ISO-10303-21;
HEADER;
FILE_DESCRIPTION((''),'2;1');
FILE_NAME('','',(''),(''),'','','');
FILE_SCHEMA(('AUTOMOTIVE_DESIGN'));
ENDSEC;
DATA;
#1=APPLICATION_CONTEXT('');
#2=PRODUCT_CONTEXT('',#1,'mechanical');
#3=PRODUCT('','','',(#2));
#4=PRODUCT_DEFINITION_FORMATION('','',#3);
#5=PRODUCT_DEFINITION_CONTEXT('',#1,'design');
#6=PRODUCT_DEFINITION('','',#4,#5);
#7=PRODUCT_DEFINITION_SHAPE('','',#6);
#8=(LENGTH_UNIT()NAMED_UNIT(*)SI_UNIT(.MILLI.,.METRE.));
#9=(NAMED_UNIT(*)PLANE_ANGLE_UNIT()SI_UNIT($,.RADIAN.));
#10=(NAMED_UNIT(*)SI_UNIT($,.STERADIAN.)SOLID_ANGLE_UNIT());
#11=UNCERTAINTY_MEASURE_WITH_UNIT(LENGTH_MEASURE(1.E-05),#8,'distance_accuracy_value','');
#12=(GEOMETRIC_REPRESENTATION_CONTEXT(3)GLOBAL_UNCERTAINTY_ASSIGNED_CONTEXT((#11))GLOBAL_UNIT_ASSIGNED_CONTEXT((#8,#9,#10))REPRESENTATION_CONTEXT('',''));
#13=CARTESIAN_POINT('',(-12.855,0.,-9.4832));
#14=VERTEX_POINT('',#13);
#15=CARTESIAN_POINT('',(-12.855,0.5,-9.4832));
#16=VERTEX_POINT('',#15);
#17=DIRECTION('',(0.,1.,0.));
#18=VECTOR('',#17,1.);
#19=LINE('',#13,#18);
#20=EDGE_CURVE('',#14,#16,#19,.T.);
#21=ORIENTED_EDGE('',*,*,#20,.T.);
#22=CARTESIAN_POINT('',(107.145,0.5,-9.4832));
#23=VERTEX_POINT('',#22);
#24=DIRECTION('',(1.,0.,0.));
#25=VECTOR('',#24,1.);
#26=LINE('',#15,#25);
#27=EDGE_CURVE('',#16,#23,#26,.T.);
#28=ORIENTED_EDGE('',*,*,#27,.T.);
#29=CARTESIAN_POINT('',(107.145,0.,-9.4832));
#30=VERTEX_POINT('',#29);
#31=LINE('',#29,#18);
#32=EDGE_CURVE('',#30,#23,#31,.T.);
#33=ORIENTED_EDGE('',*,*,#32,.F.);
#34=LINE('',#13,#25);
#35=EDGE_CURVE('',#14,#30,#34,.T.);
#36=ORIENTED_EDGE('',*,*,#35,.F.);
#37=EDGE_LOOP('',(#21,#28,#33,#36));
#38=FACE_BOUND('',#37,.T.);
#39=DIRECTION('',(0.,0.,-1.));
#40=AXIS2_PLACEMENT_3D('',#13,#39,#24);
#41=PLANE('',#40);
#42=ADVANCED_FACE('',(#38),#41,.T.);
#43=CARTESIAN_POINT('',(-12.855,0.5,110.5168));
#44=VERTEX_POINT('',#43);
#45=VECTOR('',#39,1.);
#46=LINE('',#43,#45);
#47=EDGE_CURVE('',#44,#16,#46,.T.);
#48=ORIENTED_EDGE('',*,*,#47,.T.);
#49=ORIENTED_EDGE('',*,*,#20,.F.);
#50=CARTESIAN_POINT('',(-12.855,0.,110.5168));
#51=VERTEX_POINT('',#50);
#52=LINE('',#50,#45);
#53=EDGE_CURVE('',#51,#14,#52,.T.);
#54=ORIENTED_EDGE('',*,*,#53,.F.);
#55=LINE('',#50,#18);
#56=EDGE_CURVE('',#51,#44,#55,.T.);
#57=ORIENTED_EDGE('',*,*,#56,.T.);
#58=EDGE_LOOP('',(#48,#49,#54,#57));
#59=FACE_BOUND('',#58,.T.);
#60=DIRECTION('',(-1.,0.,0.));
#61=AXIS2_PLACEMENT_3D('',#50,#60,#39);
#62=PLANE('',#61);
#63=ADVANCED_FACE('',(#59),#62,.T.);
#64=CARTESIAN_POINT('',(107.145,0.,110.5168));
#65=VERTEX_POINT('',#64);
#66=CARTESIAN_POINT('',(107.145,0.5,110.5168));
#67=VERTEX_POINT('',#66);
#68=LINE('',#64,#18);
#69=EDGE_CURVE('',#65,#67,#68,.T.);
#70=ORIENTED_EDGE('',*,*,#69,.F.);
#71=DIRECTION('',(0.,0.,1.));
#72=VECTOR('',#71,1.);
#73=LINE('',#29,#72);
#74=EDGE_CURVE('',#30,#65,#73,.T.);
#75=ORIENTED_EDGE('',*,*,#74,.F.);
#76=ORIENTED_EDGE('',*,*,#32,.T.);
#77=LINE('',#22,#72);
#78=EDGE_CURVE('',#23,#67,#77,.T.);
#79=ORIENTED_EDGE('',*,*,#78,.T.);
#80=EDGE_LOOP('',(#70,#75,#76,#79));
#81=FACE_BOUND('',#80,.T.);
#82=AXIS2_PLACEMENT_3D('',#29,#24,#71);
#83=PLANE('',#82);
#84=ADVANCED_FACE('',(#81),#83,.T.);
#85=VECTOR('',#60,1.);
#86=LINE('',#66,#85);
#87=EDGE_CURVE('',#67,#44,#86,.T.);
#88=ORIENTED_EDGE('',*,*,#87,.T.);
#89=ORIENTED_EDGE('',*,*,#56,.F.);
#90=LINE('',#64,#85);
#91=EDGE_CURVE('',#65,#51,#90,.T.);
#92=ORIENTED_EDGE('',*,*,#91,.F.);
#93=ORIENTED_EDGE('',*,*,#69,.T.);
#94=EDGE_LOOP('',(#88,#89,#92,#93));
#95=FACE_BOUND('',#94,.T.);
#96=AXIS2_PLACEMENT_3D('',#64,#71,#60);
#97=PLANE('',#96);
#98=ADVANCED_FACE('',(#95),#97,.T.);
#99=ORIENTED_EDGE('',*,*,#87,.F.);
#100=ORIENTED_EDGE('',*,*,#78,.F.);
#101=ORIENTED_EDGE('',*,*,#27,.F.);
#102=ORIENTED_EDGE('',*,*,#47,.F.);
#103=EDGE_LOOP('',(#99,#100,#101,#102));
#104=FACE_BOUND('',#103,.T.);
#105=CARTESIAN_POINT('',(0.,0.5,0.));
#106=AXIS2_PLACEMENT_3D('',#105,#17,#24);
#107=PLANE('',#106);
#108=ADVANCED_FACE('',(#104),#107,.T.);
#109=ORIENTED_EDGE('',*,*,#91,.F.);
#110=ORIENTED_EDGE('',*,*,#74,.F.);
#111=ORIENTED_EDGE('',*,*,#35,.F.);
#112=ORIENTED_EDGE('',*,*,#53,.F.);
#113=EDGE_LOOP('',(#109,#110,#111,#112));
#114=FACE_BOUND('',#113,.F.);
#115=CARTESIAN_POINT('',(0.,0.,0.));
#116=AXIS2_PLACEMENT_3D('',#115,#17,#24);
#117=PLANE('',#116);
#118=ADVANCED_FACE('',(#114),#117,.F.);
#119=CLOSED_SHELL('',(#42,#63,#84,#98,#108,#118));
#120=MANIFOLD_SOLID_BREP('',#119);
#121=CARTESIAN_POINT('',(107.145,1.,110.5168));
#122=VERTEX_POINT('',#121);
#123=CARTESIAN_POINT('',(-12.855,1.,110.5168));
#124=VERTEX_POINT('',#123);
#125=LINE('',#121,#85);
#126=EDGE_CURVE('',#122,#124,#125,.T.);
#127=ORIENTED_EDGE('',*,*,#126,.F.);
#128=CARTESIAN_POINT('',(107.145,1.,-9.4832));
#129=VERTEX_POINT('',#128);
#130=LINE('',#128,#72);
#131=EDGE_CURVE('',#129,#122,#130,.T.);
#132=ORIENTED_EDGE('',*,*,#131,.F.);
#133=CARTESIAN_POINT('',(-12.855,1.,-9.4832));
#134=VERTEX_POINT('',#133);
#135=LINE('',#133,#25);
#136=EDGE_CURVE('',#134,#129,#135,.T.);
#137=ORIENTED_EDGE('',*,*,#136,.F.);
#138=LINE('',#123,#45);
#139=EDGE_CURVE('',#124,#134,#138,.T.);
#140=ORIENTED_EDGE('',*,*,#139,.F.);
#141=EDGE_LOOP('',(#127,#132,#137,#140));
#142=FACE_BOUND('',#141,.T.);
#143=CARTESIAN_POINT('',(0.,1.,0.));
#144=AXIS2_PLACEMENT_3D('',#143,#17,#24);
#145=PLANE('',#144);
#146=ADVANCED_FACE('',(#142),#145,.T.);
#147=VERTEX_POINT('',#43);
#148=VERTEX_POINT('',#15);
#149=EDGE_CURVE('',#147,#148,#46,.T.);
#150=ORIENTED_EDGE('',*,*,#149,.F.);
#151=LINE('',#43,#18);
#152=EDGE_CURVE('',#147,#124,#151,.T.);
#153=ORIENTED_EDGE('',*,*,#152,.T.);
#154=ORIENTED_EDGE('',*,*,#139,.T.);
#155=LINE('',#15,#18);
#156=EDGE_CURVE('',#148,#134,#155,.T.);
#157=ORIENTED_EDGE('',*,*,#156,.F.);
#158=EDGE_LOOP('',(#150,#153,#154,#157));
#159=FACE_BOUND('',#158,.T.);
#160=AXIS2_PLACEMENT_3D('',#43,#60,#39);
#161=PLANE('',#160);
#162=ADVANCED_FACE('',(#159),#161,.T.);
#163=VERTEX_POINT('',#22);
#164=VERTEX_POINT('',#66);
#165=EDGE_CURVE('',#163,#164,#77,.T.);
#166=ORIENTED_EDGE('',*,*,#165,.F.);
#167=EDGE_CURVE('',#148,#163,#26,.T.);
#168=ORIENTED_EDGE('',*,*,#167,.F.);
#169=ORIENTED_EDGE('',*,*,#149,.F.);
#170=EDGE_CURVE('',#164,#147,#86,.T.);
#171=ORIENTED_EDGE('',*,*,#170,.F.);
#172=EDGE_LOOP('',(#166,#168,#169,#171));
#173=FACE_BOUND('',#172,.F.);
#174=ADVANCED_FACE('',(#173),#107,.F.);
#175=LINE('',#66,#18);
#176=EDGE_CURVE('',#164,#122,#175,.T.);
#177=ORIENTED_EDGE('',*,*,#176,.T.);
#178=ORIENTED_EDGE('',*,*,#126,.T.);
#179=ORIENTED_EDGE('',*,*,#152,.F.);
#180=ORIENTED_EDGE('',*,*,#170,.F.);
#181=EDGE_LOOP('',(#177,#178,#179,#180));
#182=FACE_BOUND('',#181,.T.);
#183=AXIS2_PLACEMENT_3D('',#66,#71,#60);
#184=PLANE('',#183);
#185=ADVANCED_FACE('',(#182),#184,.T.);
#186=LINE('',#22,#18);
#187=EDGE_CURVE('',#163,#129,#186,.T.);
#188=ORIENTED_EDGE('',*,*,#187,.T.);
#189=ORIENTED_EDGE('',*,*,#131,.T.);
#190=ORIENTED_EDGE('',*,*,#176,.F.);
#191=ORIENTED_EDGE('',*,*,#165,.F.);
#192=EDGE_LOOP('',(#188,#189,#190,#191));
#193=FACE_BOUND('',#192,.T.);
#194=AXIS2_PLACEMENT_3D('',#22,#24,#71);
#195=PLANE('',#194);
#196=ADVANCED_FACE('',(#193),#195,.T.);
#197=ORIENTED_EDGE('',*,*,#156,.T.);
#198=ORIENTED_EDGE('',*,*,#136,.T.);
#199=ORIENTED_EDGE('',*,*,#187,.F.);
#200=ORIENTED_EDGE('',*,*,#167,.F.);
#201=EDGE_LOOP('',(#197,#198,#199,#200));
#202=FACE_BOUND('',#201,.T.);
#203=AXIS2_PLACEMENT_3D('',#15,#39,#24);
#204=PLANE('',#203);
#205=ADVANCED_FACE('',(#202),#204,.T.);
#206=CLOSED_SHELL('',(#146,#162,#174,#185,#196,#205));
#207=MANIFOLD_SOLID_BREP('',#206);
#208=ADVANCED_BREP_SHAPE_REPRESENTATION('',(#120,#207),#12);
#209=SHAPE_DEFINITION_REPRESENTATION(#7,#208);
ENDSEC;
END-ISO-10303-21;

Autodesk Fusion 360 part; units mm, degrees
sketch "Sketch1" plane through (0, 0, 0) normal (0, 1, 0) x (1, 0, 0)
  line L0 (-12.855, 9.4832) -> (107.145, 9.4832)
  line L1 (107.145, 9.4832) -> (107.145, -110.5168)
  line L2 (107.145, -110.5168) -> (-12.855, -110.5168)
  line L3 (-12.855, -110.5168) -> (-12.855, 9.4832)
  dimension "d1" = 120
  dimension "d2" = 120
extrude "Extrude1" add sketch "Sketch1" along normal blind 0.5 makes body 1
extrude "Extrude2" add 1 faces at (27.145, 0.5, 30.5168) along direction (0, 1, 0) blind 0.5 separate body on bodies 1 makes body 2
